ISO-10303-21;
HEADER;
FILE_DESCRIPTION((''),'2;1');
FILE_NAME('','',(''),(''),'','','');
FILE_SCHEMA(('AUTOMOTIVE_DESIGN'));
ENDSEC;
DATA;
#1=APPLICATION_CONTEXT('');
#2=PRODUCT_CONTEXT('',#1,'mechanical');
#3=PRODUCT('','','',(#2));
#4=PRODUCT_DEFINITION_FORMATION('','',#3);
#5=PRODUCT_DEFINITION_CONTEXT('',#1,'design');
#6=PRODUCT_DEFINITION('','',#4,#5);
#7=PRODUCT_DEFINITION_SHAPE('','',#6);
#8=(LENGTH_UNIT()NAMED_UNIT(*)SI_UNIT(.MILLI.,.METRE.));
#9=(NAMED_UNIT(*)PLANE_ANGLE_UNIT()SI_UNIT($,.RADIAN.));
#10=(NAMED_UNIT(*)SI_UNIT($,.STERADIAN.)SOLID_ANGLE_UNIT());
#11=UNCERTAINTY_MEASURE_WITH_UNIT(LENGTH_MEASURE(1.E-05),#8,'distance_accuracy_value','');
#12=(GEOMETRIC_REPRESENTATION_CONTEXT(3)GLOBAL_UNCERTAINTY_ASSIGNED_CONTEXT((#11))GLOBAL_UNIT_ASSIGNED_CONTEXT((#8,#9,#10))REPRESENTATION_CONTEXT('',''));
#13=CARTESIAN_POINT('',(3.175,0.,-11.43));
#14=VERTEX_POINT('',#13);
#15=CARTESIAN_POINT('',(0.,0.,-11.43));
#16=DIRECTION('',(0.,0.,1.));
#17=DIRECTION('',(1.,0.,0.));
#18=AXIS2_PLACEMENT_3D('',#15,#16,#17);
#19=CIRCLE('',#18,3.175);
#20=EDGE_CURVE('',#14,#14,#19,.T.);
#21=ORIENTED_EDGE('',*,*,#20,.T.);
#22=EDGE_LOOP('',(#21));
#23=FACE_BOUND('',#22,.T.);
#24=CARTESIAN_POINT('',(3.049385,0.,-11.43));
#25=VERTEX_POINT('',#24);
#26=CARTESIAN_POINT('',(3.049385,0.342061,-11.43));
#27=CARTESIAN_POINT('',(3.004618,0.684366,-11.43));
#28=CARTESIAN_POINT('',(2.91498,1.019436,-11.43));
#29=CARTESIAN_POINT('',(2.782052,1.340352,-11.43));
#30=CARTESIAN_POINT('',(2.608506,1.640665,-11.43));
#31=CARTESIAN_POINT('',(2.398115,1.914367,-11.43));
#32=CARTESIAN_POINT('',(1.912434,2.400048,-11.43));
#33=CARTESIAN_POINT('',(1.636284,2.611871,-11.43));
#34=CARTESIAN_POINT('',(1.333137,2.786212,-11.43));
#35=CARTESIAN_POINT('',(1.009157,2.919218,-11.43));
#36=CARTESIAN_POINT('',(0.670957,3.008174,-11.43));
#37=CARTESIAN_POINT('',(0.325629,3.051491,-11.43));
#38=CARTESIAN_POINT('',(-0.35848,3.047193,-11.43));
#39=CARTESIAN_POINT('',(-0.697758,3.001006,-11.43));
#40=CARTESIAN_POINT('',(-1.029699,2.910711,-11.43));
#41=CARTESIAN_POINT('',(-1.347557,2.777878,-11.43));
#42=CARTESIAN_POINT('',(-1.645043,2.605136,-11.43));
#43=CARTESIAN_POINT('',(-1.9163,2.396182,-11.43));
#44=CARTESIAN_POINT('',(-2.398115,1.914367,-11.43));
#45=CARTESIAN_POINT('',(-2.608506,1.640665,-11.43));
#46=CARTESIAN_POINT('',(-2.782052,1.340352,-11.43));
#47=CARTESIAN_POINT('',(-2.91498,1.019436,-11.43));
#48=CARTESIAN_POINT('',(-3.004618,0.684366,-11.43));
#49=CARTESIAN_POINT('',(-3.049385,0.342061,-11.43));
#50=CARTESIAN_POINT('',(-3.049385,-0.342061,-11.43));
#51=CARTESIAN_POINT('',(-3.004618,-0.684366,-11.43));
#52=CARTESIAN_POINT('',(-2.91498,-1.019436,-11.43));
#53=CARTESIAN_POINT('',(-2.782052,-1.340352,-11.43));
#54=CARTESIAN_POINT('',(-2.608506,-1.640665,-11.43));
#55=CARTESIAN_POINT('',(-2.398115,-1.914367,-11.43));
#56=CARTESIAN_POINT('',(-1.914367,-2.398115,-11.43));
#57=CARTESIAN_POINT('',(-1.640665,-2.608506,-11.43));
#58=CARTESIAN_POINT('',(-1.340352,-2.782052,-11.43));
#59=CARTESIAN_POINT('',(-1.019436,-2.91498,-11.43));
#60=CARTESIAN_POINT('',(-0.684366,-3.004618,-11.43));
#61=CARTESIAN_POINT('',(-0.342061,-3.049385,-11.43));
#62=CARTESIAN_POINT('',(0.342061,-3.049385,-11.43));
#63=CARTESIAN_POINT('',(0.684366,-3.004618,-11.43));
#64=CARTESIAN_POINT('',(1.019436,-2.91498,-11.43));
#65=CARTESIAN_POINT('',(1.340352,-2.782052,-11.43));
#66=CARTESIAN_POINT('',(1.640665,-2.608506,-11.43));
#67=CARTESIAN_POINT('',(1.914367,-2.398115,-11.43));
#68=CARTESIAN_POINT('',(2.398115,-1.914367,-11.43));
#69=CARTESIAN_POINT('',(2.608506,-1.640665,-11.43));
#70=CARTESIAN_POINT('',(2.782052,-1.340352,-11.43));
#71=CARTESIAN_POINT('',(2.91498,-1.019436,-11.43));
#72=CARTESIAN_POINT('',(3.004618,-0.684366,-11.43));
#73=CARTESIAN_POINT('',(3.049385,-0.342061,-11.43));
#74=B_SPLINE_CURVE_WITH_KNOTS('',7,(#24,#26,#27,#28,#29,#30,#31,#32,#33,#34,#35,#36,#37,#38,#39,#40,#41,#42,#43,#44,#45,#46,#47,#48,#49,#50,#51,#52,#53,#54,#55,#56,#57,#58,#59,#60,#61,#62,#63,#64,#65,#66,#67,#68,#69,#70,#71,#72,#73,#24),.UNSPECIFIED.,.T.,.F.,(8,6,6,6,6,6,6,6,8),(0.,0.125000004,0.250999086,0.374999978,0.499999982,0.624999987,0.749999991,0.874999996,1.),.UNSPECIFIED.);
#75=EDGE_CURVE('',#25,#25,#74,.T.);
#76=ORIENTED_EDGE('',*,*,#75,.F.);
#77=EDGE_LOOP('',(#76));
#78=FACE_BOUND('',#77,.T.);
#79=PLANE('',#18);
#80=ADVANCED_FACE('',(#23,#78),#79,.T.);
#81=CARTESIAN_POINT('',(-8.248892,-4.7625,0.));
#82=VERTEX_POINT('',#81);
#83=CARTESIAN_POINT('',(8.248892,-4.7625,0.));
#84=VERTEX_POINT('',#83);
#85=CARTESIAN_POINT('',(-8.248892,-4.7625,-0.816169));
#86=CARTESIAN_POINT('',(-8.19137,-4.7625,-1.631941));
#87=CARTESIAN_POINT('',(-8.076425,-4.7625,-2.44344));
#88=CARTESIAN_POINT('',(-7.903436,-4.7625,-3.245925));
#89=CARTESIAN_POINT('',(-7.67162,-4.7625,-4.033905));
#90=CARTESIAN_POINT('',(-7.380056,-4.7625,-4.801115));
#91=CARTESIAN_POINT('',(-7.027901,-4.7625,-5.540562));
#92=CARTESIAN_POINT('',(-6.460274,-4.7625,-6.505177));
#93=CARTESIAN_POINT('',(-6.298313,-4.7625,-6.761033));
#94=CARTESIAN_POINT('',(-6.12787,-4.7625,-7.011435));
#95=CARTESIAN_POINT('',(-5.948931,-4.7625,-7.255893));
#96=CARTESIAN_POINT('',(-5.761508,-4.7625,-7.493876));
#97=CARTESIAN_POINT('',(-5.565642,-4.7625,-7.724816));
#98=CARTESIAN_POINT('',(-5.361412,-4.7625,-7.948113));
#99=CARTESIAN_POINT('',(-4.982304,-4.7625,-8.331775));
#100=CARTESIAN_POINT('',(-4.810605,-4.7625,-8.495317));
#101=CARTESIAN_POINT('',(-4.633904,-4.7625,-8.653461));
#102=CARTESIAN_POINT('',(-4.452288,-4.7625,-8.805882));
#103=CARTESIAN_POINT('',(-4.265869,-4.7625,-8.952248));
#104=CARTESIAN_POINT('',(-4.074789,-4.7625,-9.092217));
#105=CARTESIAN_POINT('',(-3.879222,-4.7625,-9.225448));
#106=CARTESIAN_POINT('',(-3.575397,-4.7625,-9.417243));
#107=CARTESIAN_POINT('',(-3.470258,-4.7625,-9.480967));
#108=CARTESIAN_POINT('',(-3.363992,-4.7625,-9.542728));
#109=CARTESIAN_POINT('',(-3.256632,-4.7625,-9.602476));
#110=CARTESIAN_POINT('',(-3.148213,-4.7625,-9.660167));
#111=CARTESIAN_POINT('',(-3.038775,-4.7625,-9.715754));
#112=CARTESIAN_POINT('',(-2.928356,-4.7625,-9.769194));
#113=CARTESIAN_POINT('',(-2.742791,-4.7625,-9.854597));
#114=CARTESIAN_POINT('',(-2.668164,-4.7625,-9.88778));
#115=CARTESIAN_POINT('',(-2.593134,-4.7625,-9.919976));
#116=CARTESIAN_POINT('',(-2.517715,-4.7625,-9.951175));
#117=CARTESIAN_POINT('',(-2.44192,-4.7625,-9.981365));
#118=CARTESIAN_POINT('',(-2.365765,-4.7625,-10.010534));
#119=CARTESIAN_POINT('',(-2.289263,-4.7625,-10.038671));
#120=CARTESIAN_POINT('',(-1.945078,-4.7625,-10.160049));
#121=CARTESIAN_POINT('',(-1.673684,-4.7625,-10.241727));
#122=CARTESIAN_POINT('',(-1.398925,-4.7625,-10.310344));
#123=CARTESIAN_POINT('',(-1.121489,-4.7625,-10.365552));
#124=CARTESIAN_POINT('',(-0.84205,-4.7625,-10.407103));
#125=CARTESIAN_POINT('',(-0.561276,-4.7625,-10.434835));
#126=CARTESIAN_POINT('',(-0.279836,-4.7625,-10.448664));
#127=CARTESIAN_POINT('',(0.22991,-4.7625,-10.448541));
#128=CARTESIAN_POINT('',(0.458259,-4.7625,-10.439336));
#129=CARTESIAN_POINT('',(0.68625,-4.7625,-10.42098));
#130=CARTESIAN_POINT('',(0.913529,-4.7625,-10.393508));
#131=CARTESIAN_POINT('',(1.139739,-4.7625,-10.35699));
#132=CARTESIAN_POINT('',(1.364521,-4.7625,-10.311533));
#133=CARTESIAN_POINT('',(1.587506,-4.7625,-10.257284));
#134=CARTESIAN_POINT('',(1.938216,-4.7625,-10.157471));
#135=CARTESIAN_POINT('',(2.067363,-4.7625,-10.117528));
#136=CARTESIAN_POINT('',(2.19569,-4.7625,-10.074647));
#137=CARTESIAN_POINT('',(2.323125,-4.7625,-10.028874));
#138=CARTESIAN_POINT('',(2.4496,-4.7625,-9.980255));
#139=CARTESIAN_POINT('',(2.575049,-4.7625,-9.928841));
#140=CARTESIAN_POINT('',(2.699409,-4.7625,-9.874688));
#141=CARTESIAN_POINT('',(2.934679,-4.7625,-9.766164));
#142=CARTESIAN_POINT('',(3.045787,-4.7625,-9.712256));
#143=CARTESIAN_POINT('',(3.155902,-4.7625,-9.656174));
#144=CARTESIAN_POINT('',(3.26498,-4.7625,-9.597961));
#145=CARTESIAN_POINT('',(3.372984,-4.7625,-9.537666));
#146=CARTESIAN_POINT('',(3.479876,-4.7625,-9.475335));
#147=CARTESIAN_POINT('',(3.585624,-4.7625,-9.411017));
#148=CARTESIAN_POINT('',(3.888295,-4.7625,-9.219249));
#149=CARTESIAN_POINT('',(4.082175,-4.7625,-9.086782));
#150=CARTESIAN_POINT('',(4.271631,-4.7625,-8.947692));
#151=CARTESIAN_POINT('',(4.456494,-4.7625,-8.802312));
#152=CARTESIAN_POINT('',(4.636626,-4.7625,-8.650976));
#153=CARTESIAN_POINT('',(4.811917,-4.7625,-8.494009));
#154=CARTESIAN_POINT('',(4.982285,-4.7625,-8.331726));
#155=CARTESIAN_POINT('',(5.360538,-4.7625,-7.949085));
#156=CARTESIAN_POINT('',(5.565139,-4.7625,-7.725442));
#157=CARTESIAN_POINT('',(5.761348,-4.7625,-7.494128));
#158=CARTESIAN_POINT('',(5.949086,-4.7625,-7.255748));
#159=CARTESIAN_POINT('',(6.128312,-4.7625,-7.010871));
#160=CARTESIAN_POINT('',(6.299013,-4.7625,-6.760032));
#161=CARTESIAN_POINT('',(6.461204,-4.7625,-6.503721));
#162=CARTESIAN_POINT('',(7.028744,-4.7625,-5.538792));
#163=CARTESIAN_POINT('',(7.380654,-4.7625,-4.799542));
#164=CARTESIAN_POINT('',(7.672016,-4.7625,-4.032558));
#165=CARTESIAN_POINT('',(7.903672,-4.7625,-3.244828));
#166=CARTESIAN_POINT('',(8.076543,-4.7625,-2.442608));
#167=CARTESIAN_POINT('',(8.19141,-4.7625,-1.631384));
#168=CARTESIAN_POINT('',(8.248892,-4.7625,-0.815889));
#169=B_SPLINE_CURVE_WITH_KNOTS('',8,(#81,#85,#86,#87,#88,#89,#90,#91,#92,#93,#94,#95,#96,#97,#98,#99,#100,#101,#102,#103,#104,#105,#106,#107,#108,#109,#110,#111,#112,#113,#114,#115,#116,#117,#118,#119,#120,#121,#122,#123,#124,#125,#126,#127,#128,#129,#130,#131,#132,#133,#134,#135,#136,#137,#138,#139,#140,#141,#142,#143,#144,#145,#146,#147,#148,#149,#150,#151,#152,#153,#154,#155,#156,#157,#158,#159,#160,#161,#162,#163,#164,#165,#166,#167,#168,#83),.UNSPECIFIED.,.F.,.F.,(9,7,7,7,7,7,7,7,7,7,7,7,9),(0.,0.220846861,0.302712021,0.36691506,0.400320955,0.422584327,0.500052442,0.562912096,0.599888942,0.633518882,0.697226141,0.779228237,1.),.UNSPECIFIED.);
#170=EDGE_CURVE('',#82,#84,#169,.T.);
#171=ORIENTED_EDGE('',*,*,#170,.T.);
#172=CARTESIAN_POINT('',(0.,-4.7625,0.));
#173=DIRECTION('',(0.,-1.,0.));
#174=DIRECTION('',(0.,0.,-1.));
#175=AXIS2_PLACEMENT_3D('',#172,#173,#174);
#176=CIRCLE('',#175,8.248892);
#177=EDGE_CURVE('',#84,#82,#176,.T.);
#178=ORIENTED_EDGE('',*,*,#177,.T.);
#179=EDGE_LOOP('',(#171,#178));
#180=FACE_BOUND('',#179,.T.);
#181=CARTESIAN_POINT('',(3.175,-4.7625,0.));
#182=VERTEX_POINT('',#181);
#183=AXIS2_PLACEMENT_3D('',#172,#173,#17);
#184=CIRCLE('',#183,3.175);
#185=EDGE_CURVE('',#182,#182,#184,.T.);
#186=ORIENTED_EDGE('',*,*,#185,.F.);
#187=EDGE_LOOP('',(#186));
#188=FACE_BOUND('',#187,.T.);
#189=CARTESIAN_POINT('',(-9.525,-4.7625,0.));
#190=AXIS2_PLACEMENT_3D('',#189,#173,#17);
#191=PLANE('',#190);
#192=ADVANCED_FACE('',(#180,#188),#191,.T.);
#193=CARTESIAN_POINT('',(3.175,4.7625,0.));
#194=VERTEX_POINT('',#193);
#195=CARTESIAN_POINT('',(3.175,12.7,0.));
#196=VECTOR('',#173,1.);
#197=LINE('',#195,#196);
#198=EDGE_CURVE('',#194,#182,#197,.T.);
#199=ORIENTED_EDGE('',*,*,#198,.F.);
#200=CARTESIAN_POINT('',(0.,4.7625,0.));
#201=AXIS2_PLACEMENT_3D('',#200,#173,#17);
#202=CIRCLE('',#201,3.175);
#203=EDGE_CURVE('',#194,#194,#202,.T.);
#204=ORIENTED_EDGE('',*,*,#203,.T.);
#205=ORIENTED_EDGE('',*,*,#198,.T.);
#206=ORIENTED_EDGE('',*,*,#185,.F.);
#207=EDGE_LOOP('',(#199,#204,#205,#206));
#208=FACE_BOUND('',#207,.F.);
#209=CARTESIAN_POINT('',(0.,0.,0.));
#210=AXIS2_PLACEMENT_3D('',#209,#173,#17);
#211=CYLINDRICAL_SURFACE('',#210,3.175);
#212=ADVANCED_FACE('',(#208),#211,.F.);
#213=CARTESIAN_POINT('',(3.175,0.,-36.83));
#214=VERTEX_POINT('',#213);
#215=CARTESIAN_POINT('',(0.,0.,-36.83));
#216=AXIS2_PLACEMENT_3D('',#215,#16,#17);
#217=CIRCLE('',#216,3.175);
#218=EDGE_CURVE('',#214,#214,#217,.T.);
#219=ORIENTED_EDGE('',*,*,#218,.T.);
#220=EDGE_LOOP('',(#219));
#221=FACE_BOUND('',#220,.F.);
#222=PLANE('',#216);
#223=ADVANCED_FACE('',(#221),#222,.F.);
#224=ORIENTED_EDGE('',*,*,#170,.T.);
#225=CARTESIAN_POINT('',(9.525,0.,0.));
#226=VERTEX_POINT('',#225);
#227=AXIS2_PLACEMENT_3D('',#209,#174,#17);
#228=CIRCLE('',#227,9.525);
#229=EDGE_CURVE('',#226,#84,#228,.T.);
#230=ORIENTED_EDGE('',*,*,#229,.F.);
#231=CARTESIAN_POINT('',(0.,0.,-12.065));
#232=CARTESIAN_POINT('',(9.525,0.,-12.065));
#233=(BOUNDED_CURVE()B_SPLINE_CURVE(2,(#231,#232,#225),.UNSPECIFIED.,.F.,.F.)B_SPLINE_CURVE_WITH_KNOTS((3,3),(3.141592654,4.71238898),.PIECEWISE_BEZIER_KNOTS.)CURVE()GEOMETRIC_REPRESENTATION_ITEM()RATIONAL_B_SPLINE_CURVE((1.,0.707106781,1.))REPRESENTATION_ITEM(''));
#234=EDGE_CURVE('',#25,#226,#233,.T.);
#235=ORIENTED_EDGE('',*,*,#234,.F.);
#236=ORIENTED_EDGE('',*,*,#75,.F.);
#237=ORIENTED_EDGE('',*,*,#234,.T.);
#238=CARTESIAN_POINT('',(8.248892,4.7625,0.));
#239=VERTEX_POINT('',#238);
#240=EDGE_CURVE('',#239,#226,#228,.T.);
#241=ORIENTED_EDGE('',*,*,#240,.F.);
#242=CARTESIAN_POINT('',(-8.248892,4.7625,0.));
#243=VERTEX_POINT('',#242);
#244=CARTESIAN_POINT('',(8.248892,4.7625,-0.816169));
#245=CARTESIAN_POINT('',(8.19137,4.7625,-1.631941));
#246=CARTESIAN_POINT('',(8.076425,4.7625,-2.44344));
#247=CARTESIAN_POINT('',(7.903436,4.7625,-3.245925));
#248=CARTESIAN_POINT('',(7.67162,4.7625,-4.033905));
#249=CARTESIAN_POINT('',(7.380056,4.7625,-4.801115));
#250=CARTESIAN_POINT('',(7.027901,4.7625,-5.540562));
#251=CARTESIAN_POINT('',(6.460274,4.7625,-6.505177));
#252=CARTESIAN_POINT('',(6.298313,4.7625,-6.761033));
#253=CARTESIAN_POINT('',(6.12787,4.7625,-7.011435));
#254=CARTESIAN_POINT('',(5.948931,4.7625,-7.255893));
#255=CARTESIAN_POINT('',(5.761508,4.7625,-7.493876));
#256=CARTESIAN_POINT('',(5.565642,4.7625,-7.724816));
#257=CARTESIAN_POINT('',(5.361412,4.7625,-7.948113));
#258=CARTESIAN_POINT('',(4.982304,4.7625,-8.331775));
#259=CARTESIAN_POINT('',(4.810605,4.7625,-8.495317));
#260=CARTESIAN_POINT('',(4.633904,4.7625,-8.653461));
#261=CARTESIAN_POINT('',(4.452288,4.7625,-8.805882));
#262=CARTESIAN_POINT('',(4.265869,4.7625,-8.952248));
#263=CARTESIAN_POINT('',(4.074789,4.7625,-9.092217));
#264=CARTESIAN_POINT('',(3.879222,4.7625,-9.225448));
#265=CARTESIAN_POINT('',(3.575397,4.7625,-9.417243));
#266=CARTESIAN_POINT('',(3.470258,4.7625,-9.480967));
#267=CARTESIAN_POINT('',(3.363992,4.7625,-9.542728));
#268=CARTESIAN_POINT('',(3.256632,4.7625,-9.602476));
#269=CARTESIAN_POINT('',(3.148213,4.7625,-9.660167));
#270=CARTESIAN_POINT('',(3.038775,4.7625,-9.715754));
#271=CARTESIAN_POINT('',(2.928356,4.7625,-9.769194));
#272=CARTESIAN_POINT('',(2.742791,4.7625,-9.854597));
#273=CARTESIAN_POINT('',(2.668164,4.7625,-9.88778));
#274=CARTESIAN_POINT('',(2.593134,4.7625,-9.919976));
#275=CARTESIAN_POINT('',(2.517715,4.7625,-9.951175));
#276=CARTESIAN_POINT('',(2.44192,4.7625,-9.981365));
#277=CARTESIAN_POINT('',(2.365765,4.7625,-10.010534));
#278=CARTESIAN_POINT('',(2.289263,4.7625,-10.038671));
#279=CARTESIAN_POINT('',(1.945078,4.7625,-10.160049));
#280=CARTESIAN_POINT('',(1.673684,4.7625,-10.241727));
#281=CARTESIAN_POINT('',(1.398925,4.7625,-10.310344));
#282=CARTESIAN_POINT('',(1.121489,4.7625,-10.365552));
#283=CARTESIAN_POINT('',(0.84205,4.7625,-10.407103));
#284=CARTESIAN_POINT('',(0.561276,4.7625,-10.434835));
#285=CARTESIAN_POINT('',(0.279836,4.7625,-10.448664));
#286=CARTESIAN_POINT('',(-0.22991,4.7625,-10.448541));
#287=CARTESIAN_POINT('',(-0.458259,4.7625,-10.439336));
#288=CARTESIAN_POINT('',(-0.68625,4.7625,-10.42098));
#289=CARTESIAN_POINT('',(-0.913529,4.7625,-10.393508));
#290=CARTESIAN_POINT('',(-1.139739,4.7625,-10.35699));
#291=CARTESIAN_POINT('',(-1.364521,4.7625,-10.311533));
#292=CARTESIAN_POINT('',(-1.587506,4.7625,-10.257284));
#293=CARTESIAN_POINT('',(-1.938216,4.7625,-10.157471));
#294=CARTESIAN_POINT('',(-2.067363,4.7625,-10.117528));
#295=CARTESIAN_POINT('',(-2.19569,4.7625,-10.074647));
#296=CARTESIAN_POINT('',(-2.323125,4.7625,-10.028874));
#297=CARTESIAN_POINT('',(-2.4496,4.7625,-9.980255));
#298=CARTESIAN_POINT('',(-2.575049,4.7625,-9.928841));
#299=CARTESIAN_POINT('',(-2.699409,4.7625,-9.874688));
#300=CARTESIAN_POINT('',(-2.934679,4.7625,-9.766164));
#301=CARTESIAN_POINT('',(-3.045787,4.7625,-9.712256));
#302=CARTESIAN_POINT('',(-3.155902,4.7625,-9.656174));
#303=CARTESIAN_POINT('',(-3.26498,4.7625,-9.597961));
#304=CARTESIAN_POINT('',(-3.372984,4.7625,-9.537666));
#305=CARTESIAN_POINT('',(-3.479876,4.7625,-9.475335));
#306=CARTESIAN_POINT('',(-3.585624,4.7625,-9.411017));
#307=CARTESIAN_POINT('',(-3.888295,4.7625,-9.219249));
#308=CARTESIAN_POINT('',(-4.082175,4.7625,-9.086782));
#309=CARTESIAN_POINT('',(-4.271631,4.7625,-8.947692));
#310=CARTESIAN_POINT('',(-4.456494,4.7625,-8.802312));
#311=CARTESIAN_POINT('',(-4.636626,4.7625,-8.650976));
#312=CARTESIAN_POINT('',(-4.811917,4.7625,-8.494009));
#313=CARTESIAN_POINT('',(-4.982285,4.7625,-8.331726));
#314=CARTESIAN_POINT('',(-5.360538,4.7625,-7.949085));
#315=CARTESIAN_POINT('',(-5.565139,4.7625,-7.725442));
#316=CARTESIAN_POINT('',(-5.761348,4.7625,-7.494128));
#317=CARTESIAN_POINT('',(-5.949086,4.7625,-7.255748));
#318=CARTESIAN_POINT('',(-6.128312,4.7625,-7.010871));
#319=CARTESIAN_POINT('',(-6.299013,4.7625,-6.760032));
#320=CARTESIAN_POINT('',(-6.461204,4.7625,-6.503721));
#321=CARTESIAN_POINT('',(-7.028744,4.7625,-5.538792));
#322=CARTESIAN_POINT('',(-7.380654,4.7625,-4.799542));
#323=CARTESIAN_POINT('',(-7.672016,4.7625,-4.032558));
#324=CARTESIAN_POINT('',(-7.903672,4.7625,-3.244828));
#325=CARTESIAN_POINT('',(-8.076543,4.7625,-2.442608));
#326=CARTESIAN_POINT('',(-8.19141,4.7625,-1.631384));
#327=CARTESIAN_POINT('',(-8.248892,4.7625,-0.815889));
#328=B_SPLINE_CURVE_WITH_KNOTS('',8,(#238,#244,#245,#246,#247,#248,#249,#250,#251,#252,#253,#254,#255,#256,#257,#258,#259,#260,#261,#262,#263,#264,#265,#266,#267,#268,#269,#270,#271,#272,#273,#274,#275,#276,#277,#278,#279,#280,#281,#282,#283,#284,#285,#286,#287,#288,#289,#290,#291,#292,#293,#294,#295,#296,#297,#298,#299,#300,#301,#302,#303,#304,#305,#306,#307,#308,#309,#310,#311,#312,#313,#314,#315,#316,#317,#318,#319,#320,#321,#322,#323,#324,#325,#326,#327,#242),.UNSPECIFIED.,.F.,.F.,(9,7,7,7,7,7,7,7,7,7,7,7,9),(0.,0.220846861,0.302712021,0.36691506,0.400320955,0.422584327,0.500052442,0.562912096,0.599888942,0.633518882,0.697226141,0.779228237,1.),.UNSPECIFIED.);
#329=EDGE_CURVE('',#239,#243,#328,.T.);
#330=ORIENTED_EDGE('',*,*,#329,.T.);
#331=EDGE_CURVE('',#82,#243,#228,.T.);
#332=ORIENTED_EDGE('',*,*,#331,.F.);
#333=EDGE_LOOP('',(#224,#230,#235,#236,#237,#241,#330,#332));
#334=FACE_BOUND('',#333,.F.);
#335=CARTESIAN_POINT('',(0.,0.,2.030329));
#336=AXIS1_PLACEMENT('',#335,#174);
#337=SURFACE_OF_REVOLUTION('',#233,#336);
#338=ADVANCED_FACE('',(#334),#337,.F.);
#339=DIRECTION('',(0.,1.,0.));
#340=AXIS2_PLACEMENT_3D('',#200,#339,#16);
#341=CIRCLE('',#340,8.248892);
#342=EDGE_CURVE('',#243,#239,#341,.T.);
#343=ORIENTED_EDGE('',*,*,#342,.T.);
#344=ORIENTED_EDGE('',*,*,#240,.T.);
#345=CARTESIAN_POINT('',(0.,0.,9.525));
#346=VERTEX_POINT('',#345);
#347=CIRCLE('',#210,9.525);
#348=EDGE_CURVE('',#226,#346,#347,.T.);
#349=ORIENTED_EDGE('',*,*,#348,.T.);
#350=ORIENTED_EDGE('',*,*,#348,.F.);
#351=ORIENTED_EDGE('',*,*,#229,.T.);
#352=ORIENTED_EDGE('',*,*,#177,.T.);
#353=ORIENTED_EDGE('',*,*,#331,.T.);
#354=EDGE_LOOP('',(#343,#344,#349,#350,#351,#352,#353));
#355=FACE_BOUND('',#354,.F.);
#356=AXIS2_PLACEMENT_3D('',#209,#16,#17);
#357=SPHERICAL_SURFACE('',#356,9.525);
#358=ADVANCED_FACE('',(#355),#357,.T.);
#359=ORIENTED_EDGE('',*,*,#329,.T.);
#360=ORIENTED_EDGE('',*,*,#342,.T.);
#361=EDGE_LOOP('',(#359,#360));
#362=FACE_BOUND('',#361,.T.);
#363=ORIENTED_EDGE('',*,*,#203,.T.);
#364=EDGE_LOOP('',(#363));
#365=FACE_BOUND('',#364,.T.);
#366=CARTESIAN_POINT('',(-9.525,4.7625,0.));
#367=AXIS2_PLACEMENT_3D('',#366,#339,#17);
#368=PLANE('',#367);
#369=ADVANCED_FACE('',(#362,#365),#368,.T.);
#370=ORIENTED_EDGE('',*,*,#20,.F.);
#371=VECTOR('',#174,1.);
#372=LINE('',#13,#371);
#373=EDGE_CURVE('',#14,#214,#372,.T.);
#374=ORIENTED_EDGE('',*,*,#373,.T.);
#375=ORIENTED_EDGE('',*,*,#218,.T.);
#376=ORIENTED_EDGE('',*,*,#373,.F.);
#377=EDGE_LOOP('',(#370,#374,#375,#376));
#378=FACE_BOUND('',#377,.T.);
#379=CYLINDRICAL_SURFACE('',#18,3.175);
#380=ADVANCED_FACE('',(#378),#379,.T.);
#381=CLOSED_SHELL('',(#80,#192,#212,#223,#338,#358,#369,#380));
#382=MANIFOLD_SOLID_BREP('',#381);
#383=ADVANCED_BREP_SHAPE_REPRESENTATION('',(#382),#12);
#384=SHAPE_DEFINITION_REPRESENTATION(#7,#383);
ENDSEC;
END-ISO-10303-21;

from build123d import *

# Parameters (mm, degrees)
F2_W     = 19.05
F2_H     = 6.35
F3_DEPTH = 12.7
F4_R     = 3.175
F5_DEPTH = 12.7
F7_R     = 3.175
F8_DEPTH = 25.4


with BuildPart() as f1:
    # F0 (on Front) → F1 (revolve)
    with BuildSketch(Plane.XZ):
        with BuildLine():
            add(Edge.make_bspline(
                [(0, -12.065), (9.525, -12.065), (9.525, 0)],
                knots=[3.1415926536, 3.1415926536, 3.1415926536, 4.7123889804, 4.7123889804, 4.7123889804], degree=2, weights=[1, 0.7071067812, 1]))
            ThreePointArc((9.525, 0), (6.7351920908, 6.7351920908), (0, 9.525))
            Line((0, 9.525), (0, -12.065))
        make_face()
    revolve(axis=Axis((0, 0, 2.0303288475), (0, 0, -1)))

    # F2 (on Top) → F3 (cut, symmetric)
    with BuildSketch(Plane.XY):
        with Locations((0, 7.9375)):
            Rectangle(F2_W, F2_H)
        with Locations((0, -7.9375)):
            Rectangle(F2_W, F2_H)
    extrude(amount=F3_DEPTH, both=True, mode=Mode.SUBTRACT)

    # F4 (on Front) → F5 (cut, symmetric)
    with BuildSketch(Plane.XZ):
        Circle(F4_R)
    extrude(amount=F5_DEPTH, both=True, mode=Mode.SUBTRACT)

    # F7 (on offset) → F8 (join)
    with BuildSketch(Plane.XY.offset(-11.43)):
        Circle(F7_R)
    extrude(amount=-F8_DEPTH)


solid = f1.part
